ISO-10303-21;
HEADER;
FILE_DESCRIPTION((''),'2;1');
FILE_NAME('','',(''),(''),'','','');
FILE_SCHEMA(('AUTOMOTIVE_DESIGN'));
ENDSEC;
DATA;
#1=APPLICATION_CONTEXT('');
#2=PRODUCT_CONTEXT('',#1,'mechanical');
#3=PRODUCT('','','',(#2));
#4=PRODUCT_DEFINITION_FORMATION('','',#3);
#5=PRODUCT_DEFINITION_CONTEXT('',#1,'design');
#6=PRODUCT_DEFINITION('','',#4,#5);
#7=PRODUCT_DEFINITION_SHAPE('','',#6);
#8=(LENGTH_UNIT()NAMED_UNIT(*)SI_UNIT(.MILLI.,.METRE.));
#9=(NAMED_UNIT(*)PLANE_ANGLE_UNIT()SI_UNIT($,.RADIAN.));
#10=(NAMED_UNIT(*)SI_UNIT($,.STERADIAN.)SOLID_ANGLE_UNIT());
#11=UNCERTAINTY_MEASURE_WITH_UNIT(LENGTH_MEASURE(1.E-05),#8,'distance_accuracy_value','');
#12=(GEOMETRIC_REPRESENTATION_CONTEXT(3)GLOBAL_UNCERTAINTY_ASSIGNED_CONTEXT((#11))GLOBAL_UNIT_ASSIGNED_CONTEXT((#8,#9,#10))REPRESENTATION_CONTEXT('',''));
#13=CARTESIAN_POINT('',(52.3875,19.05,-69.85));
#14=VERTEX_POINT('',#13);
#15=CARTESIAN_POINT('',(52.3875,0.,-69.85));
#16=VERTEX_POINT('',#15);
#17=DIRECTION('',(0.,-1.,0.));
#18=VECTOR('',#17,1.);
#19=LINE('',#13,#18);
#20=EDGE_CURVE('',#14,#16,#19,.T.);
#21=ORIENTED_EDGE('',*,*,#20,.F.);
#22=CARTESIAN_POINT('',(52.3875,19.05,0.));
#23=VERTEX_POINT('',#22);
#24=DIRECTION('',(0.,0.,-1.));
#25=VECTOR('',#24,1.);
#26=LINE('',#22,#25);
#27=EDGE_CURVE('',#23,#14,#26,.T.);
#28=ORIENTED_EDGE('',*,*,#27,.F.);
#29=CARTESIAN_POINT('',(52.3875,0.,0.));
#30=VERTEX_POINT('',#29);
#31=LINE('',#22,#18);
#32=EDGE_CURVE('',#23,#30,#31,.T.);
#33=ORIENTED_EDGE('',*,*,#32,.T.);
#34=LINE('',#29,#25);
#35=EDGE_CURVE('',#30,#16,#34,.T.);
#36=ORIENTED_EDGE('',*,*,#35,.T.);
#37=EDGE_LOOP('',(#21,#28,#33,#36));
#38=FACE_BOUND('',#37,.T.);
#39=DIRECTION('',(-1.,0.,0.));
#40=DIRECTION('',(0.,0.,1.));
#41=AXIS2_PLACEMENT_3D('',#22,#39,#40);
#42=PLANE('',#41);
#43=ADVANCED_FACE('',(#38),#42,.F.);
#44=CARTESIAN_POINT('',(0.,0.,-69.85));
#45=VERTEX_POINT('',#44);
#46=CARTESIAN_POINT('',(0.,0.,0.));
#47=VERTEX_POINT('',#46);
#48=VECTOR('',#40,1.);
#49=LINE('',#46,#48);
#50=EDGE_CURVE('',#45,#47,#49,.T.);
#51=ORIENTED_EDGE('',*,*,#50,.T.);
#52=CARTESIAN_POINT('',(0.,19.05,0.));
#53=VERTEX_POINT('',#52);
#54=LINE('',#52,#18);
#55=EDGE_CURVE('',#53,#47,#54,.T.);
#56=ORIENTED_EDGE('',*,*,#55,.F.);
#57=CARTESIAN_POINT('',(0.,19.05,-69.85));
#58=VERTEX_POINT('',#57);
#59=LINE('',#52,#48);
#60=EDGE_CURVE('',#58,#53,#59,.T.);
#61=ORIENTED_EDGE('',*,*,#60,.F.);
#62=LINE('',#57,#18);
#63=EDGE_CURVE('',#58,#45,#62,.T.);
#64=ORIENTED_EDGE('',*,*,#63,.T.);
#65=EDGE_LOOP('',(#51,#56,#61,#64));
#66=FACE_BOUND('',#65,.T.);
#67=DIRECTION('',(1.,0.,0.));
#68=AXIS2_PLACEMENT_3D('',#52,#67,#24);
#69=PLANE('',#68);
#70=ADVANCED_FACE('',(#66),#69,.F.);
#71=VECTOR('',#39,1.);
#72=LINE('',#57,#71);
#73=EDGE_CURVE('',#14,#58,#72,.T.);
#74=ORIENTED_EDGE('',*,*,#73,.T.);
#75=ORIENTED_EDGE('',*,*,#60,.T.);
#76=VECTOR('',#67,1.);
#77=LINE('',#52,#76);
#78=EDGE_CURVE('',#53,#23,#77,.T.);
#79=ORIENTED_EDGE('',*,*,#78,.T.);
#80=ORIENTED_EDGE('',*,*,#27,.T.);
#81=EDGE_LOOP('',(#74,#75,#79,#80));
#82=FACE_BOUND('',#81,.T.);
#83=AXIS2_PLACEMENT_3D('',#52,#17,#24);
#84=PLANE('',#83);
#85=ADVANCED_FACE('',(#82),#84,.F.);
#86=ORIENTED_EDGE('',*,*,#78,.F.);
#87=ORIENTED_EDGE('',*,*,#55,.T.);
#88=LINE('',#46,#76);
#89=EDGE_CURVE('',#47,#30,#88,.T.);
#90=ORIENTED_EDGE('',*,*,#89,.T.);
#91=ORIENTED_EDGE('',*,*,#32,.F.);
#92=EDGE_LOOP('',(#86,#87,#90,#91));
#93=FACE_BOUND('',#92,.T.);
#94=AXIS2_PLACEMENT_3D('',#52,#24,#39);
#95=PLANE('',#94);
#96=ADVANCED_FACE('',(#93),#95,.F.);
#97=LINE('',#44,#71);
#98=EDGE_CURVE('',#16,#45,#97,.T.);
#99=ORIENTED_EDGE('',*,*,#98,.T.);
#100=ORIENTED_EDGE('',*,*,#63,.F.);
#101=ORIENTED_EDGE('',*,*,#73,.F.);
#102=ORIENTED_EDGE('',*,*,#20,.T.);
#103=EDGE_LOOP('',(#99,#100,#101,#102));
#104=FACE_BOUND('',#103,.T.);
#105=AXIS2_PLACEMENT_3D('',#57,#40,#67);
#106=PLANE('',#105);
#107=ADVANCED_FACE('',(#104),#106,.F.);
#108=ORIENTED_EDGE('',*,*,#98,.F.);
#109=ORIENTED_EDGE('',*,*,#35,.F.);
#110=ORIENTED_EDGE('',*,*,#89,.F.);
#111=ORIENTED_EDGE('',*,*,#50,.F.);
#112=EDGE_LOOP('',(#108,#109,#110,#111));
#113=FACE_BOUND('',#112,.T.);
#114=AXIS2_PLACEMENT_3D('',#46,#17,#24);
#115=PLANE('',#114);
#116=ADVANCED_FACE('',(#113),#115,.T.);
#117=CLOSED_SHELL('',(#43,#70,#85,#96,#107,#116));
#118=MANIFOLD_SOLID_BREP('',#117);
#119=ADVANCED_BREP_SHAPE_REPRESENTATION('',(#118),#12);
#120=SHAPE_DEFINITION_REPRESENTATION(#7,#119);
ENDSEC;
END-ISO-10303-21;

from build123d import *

# Parameters (mm, degrees)
SKETCH1_W           = 52.3875
SKETCH1_H           = 69.85
BOSS_EXTRUDE1_DEPTH = 19.05


with BuildPart() as part:
    # Sketch1 → Boss-Extrude1 (new body)
    with BuildSketch(Plane(origin=(0, 0, 0), x_dir=(1, 0, 0), z_dir=(0, 1, 0))):
        with Locations((26.19375, 34.925)):
            Rectangle(SKETCH1_W, SKETCH1_H)
    extrude(amount=BOSS_EXTRUDE1_DEPTH)


solid = part.part
